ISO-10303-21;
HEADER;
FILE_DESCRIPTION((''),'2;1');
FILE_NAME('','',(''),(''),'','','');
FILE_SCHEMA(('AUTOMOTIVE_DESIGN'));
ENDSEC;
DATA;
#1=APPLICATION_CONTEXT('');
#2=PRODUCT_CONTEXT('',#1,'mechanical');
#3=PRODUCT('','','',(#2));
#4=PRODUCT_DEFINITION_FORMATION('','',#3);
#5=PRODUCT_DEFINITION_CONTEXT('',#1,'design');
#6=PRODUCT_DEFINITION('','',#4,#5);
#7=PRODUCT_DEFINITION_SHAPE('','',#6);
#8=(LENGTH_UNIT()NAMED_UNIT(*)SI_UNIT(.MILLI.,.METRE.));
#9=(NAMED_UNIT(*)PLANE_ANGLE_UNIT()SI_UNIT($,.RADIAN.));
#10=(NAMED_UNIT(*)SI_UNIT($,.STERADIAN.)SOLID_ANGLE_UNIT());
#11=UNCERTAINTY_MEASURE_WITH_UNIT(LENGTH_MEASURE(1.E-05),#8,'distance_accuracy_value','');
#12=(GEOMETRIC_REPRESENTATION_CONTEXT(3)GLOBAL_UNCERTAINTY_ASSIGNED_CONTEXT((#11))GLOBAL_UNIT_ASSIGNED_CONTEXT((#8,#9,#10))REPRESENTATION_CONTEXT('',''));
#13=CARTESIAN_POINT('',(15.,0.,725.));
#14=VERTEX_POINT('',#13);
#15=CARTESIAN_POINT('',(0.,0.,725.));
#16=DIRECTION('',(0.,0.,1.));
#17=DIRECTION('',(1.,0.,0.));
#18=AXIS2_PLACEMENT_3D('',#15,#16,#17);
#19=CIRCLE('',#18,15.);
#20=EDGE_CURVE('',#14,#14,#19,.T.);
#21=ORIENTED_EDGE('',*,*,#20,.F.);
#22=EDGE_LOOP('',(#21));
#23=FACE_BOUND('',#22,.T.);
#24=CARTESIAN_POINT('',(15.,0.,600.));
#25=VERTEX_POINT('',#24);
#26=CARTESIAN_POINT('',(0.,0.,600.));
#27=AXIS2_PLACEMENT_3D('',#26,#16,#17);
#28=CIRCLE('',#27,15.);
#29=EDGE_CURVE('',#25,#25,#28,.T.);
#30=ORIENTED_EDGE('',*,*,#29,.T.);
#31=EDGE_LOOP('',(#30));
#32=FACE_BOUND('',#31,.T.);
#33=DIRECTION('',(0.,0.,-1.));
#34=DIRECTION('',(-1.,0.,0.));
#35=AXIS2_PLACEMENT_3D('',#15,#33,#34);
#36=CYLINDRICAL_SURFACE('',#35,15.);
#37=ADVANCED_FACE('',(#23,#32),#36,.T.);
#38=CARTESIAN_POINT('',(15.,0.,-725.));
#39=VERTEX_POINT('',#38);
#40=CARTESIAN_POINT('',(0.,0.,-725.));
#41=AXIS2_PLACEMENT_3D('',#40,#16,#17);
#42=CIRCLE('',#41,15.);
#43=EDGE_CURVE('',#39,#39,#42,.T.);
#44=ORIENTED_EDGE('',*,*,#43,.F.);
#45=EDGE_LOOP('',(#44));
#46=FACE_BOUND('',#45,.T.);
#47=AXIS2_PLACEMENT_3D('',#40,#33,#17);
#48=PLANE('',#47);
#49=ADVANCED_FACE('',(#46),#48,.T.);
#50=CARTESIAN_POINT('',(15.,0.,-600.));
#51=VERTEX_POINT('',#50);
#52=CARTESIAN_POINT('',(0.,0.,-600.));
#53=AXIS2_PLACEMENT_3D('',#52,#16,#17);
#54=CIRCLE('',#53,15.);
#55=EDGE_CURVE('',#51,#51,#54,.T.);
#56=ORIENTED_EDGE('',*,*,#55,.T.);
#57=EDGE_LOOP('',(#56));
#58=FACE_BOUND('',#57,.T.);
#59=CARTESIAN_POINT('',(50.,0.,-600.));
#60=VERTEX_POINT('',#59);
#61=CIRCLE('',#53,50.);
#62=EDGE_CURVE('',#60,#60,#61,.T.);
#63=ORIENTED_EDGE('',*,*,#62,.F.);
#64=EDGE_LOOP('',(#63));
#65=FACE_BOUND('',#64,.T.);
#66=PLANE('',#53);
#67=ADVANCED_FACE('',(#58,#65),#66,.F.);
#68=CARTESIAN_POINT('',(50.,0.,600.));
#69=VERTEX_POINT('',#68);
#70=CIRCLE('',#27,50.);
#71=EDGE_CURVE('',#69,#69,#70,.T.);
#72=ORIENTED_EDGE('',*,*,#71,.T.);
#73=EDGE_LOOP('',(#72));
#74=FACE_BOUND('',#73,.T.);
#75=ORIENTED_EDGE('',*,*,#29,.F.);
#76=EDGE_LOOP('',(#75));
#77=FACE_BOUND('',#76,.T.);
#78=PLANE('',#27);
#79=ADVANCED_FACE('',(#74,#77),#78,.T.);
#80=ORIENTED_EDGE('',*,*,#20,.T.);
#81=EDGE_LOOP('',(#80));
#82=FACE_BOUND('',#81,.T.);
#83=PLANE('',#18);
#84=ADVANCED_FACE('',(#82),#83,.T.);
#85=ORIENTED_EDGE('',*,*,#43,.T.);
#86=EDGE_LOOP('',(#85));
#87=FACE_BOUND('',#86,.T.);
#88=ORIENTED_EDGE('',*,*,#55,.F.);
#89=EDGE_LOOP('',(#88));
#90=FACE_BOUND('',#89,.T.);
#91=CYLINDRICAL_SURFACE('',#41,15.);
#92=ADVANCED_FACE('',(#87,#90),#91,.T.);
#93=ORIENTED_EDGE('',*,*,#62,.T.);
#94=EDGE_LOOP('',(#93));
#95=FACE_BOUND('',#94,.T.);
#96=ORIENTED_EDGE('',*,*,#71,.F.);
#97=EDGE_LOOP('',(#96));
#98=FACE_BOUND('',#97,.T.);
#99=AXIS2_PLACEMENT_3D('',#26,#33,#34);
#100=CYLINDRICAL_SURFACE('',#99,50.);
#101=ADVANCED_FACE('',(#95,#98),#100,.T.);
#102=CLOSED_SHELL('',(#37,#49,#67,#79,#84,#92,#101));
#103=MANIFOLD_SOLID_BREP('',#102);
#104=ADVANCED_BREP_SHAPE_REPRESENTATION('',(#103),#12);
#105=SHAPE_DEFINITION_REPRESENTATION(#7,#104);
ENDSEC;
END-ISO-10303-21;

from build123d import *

# Parameters (mm, degrees)
SKETCH1_R           = 50
BOSS_EXTRUDE1_DEPTH = 600
BOSS_EXTRUDE2_DEPTH = 600
BOSS_EXTRUDE4_START = 600
SKETCH6_R           = 15
BOSS_EXTRUDE4_DEPTH = 125


with BuildPart() as part:
    # Sketch1 → Boss-Extrude1 (new, symmetric)
    with BuildSketch(Plane.XY):
        Circle(SKETCH1_R)
    extrude(amount=BOSS_EXTRUDE1_DEPTH, both=True)

    # Sketch4 → Boss-Extrude2 (add, symmetric)
    with BuildSketch(Plane.XY):
        with BuildLine():
            Line((-5, 18.3), (-5, 14.142135624))
            ThreePointArc((-5, 14.142135624), (0, -15), (5, 14.142135624))
            Line((5, 14.142135624), (5, 18.3))
            Line((5, 18.3), (-5, 18.3))
        make_face()
    extrude(amount=BOSS_EXTRUDE2_DEPTH, both=True)

    # Sketch6 → Boss-Extrude4 (add)
    with BuildSketch(Plane.XY.offset(BOSS_EXTRUDE4_START)):
        Circle(SKETCH6_R)
    boss_extrude4 = extrude(amount=BOSS_EXTRUDE4_DEPTH)

    # Mirror1: Boss-Extrude4 across plane
    add(boss_extrude4.mirror(Plane.XY))


solid = part.part
